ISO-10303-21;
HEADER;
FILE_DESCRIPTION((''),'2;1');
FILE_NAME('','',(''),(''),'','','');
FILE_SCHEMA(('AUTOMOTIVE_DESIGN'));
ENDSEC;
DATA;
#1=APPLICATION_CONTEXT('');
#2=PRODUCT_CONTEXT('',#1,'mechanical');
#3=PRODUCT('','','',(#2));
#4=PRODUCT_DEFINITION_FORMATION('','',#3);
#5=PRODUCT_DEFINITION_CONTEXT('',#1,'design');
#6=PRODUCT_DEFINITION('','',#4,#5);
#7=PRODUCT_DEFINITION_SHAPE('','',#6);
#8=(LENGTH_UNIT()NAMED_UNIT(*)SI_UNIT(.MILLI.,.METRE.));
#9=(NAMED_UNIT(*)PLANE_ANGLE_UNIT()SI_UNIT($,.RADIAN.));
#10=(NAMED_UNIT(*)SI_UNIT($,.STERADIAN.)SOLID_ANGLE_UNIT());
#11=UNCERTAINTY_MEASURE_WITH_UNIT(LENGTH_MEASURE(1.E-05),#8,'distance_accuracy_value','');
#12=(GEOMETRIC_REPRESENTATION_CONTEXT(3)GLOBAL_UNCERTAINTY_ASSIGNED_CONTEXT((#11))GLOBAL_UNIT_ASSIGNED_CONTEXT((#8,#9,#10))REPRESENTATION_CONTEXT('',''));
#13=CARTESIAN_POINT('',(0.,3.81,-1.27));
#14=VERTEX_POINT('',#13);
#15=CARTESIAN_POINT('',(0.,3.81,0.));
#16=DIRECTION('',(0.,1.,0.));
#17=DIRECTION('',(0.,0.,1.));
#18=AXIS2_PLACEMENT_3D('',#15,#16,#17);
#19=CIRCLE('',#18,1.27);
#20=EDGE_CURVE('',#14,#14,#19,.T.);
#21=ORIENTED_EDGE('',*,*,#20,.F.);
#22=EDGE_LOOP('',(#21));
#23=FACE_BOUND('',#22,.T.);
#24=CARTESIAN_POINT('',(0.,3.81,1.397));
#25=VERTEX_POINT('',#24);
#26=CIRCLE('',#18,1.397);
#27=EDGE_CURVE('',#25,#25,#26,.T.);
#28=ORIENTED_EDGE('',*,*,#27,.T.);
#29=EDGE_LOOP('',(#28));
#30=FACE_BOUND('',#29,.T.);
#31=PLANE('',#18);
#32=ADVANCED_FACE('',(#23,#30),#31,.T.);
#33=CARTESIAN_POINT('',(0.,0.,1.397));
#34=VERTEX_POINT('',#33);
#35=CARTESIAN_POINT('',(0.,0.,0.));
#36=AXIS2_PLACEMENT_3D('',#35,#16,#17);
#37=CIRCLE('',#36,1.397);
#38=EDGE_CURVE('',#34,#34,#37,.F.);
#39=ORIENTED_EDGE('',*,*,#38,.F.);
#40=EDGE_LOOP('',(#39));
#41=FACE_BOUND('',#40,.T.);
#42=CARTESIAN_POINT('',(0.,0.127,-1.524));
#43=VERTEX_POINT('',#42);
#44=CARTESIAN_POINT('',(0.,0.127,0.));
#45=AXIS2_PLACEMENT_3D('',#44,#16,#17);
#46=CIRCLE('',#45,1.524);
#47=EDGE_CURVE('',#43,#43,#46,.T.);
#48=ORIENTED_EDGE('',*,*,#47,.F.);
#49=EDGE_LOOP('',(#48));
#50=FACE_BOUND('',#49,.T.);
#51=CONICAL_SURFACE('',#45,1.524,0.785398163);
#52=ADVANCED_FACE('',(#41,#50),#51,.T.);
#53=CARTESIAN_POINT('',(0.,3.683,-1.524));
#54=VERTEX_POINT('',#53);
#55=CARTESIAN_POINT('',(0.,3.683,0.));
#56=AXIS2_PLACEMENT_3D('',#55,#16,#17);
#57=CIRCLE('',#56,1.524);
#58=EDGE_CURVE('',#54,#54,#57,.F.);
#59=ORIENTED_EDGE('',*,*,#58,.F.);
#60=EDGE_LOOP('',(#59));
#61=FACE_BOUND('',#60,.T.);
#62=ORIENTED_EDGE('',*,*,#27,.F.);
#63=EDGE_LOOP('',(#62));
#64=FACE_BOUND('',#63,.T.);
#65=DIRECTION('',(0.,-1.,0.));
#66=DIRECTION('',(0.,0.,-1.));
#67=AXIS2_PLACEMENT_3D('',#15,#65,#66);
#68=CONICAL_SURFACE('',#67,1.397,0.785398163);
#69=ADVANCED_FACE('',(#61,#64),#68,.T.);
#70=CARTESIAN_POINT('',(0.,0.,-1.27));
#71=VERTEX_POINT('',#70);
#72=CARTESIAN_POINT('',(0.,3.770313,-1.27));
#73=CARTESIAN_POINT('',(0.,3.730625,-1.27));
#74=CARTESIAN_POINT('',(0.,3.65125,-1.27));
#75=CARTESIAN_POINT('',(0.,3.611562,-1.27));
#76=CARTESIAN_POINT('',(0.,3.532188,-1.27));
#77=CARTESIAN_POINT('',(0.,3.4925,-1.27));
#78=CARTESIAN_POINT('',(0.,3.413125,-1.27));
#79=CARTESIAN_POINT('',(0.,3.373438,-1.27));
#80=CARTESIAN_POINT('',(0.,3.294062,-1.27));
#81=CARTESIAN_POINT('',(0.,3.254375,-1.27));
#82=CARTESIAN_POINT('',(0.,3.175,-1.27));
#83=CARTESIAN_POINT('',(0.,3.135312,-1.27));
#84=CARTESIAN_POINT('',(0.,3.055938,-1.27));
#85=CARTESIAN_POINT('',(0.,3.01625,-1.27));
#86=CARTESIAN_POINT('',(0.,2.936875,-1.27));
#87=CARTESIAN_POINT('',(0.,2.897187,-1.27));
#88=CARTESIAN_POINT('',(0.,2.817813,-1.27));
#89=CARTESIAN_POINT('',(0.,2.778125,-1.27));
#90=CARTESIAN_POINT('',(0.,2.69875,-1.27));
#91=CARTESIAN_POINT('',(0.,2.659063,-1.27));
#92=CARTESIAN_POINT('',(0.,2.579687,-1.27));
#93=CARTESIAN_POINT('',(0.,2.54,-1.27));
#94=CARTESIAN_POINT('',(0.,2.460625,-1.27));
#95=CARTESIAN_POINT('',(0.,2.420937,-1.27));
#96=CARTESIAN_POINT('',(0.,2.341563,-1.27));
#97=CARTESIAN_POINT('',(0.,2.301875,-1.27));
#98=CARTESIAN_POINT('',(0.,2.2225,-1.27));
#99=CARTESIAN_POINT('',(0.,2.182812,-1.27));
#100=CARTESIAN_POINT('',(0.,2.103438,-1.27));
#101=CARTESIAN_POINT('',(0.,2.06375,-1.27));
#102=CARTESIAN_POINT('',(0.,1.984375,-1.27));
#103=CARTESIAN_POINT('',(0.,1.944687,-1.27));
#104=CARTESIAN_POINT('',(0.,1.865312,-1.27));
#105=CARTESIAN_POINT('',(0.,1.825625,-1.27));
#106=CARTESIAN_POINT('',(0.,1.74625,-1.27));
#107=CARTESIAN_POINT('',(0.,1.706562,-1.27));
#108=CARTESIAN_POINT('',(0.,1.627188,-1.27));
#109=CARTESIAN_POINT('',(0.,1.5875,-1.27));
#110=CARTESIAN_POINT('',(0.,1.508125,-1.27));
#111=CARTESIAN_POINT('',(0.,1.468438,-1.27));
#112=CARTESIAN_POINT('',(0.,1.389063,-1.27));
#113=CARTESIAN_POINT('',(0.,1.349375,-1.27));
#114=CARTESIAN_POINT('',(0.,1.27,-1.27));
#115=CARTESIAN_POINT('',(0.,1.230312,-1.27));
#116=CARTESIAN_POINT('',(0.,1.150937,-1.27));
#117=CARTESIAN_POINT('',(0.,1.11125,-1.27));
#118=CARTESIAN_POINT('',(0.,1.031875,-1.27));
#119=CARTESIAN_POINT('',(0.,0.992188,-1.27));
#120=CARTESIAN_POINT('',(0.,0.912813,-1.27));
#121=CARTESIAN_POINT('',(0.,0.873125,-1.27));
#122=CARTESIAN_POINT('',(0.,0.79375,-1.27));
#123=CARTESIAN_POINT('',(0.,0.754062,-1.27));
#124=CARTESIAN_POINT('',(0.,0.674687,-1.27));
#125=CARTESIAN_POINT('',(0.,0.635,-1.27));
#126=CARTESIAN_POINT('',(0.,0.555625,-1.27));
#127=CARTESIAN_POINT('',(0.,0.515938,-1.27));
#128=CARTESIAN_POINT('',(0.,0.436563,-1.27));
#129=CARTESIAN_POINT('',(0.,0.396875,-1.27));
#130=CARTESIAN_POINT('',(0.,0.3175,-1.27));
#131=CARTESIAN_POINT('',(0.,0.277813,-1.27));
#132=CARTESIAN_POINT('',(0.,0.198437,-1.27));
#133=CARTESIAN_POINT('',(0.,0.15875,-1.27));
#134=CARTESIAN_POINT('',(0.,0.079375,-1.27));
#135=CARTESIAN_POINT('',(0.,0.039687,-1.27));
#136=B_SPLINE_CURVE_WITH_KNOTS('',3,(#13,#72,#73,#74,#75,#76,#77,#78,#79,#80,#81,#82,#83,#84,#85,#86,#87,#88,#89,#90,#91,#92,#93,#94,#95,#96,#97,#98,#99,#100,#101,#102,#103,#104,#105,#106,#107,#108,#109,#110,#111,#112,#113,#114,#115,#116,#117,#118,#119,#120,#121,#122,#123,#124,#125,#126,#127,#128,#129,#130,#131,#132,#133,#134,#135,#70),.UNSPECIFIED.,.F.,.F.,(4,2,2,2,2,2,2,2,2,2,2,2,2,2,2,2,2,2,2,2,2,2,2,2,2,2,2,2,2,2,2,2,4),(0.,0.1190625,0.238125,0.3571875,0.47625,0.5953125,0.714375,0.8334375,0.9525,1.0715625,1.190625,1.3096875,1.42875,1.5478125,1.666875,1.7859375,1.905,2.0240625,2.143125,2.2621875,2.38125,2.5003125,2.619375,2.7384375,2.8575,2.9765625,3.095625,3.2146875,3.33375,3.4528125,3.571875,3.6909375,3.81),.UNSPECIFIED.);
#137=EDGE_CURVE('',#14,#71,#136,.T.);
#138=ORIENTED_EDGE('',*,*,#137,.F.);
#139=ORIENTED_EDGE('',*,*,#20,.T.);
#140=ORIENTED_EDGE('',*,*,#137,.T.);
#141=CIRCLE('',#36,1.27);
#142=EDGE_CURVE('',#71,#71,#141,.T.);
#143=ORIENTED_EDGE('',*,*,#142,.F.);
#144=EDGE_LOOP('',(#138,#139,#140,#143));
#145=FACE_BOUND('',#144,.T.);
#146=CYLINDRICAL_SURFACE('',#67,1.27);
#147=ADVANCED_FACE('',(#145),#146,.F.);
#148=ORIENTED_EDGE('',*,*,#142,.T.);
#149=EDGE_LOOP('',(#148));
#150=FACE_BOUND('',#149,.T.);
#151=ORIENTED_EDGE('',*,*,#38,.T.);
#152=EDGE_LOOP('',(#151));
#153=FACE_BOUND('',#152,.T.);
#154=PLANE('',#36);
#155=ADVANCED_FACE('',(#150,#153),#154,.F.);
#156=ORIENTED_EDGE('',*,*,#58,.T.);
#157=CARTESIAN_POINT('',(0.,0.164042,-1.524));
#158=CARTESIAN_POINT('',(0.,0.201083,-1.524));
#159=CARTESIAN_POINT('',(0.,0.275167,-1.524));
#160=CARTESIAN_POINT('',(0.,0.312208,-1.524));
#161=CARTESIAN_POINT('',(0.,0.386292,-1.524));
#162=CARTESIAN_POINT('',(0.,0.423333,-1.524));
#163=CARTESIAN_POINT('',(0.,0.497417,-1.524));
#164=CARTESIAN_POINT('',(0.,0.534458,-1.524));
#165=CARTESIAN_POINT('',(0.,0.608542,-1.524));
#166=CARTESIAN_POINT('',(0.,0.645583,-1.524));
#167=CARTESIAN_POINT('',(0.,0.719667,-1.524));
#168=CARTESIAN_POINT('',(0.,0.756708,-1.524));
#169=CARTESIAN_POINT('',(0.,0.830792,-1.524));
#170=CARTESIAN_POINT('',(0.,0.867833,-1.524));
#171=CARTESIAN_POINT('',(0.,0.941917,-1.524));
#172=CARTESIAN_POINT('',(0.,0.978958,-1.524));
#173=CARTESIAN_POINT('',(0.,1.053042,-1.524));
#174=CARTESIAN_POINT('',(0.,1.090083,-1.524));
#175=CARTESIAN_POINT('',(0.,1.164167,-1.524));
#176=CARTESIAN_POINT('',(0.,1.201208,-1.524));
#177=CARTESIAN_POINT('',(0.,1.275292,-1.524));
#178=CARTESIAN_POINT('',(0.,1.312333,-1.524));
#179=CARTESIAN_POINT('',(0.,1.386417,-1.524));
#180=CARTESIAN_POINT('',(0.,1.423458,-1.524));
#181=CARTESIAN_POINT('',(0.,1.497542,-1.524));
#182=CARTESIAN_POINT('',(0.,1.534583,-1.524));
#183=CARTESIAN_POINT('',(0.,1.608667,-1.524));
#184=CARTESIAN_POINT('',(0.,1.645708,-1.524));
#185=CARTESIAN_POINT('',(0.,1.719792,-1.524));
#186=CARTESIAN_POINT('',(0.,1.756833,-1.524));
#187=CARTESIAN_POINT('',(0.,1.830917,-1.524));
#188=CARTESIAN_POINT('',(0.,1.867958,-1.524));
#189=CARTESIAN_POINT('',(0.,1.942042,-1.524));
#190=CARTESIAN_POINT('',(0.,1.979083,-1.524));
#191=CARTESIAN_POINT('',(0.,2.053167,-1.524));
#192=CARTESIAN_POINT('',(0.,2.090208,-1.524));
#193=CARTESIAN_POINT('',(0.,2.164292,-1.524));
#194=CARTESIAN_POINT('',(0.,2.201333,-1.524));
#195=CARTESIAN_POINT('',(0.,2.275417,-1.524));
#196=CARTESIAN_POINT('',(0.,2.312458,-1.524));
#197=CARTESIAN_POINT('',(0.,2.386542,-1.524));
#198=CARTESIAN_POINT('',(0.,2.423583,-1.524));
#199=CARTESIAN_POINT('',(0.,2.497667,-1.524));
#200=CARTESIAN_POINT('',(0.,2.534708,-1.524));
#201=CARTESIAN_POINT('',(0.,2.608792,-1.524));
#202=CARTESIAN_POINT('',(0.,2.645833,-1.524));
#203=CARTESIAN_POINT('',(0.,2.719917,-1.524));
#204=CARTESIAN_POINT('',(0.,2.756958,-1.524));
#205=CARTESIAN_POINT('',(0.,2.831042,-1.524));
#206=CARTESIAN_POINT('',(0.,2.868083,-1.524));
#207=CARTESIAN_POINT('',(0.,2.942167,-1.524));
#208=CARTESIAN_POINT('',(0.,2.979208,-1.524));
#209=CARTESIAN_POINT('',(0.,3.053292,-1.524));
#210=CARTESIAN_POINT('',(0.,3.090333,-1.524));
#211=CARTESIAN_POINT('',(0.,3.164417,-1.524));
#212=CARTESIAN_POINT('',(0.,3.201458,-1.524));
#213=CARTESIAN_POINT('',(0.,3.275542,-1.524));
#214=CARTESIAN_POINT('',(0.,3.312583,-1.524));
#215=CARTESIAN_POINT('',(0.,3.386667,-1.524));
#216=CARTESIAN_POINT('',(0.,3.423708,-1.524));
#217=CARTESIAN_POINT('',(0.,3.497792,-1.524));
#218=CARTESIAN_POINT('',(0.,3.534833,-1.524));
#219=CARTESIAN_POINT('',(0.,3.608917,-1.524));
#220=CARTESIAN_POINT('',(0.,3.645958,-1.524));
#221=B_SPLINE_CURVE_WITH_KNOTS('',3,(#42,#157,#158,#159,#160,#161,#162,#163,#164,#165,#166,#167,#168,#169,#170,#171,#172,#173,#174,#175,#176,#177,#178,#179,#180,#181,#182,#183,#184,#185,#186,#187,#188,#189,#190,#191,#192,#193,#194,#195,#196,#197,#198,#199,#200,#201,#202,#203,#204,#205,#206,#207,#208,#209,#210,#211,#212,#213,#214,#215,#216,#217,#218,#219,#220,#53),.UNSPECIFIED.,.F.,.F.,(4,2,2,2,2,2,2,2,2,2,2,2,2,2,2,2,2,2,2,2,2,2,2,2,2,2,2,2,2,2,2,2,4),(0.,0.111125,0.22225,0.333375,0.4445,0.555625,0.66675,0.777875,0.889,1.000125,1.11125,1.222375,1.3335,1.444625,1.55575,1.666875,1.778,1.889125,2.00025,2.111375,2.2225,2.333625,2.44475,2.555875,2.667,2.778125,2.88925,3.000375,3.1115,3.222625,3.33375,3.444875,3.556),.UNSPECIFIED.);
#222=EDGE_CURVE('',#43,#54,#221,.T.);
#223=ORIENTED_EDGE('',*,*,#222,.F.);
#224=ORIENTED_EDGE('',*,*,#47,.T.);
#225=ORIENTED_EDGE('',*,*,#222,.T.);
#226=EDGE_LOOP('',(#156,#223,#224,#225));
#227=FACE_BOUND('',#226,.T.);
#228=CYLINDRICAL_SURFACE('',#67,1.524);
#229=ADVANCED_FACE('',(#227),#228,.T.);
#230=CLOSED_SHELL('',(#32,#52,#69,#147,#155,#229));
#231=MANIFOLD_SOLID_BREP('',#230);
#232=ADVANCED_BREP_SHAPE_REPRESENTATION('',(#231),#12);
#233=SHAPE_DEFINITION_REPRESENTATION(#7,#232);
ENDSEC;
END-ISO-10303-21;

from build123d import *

# Parameters (mm, degrees)
SKETCH1_R           = 1.524
SKETCH1_R_2         = 1.27
BOSS_EXTRUDE1_DEPTH = 3.81
CHAMFER1_SIZE       = 0.127


with BuildPart() as part:
    # Sketch1 → Boss-Extrude1 (new body)
    with BuildSketch(Plane(origin=(0, 0, 0), x_dir=(1, 0, 0), z_dir=(0, 1, 0))):
        with Locations(Location((0, 0, 0), (0, 0, 90))):
            Circle(SKETCH1_R)
        with Locations(Location((0, 0, 0), (0, 0, 90))):
            Circle(SKETCH1_R_2, mode=Mode.SUBTRACT)
    extrude(amount=BOSS_EXTRUDE1_DEPTH)

    # Chamfer1
    chamfer1_edges = [part.edges().sort_by_distance(p)[0] for p in [
        (0, 0, 1.524),
        (0, 3.81, 1.524),
    ]]
    chamfer(chamfer1_edges, length=CHAMFER1_SIZE)


solid = part.part
